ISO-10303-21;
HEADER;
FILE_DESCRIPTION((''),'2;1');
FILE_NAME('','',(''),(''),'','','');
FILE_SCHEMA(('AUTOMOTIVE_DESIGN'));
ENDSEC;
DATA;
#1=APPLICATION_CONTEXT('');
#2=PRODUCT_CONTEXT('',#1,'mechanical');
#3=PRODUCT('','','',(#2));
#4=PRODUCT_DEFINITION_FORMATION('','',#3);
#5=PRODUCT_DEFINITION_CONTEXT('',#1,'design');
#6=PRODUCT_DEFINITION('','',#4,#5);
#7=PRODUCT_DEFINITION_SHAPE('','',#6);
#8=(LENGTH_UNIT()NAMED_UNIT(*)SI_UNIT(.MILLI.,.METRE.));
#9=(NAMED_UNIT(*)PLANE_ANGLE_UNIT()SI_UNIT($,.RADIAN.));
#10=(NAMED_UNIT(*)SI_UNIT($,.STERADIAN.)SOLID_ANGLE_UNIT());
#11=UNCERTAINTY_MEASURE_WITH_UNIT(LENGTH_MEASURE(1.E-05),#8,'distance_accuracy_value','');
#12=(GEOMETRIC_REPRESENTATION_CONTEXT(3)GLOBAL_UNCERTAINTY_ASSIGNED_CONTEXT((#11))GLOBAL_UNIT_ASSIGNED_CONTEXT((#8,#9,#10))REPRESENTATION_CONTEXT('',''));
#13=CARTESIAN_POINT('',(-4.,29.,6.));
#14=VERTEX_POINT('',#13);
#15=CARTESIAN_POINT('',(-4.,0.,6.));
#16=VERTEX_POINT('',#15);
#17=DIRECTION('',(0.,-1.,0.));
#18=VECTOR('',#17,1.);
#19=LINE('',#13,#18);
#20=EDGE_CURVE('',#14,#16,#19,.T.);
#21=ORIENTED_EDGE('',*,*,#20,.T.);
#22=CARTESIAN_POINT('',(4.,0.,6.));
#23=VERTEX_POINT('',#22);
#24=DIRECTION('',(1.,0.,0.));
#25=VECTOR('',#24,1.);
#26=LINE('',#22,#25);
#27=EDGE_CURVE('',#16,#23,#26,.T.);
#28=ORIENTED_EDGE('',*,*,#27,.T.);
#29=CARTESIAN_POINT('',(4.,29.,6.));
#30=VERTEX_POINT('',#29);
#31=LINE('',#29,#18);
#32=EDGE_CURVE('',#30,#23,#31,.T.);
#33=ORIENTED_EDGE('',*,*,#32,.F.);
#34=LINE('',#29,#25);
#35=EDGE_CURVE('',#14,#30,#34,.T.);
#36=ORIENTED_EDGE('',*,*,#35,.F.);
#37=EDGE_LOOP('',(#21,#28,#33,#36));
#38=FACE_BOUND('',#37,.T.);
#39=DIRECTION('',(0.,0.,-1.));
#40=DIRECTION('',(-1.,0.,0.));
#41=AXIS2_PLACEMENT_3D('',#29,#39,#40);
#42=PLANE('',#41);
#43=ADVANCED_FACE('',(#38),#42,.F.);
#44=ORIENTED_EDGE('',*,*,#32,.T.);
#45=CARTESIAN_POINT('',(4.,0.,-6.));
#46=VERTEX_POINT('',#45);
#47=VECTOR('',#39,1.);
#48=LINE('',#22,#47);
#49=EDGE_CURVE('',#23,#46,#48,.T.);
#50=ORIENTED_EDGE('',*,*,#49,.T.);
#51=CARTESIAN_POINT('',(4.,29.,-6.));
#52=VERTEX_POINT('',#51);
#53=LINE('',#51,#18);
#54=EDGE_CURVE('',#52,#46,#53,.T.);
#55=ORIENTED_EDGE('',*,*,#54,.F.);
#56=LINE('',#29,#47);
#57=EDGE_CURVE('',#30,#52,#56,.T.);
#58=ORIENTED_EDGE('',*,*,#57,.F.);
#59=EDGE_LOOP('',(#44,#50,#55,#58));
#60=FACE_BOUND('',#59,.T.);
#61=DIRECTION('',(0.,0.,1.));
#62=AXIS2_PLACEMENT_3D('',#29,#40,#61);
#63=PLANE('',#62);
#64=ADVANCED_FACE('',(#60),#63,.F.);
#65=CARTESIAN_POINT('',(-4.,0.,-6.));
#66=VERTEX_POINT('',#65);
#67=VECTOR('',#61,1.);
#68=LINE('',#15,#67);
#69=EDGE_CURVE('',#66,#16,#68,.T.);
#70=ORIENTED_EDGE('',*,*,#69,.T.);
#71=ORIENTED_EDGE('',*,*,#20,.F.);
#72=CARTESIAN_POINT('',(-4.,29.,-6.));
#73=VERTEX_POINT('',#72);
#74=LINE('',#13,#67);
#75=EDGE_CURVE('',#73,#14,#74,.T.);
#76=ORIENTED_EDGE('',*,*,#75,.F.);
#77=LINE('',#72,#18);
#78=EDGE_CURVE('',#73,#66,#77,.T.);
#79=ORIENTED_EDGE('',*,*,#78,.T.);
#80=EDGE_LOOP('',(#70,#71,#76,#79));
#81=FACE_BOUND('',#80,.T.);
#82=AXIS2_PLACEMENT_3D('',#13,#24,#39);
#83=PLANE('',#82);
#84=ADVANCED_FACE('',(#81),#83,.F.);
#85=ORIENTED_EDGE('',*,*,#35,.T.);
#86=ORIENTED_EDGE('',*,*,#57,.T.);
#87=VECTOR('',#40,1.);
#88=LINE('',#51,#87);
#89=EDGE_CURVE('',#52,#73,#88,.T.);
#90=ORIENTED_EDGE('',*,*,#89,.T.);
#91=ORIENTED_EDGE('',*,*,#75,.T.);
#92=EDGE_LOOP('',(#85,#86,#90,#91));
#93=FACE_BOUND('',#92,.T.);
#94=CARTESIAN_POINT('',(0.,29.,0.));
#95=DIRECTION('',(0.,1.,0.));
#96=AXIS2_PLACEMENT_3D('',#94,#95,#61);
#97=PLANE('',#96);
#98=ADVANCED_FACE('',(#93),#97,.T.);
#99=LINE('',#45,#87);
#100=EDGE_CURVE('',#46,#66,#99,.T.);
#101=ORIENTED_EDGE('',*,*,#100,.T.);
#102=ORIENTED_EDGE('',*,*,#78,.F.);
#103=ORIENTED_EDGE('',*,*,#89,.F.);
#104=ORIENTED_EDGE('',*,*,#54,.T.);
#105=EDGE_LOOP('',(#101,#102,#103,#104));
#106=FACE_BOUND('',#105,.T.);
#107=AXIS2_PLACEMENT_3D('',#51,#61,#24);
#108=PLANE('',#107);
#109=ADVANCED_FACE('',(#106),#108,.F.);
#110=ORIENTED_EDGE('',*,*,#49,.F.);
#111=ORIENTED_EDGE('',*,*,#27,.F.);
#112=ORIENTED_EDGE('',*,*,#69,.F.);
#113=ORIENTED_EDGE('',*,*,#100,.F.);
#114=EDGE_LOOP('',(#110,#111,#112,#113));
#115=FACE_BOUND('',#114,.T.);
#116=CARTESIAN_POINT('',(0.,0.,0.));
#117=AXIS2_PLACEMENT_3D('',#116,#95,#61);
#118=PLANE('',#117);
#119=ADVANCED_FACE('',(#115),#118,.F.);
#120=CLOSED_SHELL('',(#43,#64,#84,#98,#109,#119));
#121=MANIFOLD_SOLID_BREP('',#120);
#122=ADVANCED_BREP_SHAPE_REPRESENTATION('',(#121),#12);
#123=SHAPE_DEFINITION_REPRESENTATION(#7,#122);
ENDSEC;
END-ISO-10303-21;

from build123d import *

# Parameters (mm, degrees)
ESQUISSE1_W        = 8
ESQUISSE1_H        = 12
BOSS_EXTRU_1_DEPTH = 29


with BuildPart() as part:
    # Esquisse1 → Boss.-Extru.1 (new body)
    with BuildSketch(Plane(origin=(0, 0, 0), x_dir=(1, 0, 0), z_dir=(0, 1, 0))):
        Rectangle(ESQUISSE1_W, ESQUISSE1_H)
    extrude(amount=BOSS_EXTRU_1_DEPTH)


solid = part.part
